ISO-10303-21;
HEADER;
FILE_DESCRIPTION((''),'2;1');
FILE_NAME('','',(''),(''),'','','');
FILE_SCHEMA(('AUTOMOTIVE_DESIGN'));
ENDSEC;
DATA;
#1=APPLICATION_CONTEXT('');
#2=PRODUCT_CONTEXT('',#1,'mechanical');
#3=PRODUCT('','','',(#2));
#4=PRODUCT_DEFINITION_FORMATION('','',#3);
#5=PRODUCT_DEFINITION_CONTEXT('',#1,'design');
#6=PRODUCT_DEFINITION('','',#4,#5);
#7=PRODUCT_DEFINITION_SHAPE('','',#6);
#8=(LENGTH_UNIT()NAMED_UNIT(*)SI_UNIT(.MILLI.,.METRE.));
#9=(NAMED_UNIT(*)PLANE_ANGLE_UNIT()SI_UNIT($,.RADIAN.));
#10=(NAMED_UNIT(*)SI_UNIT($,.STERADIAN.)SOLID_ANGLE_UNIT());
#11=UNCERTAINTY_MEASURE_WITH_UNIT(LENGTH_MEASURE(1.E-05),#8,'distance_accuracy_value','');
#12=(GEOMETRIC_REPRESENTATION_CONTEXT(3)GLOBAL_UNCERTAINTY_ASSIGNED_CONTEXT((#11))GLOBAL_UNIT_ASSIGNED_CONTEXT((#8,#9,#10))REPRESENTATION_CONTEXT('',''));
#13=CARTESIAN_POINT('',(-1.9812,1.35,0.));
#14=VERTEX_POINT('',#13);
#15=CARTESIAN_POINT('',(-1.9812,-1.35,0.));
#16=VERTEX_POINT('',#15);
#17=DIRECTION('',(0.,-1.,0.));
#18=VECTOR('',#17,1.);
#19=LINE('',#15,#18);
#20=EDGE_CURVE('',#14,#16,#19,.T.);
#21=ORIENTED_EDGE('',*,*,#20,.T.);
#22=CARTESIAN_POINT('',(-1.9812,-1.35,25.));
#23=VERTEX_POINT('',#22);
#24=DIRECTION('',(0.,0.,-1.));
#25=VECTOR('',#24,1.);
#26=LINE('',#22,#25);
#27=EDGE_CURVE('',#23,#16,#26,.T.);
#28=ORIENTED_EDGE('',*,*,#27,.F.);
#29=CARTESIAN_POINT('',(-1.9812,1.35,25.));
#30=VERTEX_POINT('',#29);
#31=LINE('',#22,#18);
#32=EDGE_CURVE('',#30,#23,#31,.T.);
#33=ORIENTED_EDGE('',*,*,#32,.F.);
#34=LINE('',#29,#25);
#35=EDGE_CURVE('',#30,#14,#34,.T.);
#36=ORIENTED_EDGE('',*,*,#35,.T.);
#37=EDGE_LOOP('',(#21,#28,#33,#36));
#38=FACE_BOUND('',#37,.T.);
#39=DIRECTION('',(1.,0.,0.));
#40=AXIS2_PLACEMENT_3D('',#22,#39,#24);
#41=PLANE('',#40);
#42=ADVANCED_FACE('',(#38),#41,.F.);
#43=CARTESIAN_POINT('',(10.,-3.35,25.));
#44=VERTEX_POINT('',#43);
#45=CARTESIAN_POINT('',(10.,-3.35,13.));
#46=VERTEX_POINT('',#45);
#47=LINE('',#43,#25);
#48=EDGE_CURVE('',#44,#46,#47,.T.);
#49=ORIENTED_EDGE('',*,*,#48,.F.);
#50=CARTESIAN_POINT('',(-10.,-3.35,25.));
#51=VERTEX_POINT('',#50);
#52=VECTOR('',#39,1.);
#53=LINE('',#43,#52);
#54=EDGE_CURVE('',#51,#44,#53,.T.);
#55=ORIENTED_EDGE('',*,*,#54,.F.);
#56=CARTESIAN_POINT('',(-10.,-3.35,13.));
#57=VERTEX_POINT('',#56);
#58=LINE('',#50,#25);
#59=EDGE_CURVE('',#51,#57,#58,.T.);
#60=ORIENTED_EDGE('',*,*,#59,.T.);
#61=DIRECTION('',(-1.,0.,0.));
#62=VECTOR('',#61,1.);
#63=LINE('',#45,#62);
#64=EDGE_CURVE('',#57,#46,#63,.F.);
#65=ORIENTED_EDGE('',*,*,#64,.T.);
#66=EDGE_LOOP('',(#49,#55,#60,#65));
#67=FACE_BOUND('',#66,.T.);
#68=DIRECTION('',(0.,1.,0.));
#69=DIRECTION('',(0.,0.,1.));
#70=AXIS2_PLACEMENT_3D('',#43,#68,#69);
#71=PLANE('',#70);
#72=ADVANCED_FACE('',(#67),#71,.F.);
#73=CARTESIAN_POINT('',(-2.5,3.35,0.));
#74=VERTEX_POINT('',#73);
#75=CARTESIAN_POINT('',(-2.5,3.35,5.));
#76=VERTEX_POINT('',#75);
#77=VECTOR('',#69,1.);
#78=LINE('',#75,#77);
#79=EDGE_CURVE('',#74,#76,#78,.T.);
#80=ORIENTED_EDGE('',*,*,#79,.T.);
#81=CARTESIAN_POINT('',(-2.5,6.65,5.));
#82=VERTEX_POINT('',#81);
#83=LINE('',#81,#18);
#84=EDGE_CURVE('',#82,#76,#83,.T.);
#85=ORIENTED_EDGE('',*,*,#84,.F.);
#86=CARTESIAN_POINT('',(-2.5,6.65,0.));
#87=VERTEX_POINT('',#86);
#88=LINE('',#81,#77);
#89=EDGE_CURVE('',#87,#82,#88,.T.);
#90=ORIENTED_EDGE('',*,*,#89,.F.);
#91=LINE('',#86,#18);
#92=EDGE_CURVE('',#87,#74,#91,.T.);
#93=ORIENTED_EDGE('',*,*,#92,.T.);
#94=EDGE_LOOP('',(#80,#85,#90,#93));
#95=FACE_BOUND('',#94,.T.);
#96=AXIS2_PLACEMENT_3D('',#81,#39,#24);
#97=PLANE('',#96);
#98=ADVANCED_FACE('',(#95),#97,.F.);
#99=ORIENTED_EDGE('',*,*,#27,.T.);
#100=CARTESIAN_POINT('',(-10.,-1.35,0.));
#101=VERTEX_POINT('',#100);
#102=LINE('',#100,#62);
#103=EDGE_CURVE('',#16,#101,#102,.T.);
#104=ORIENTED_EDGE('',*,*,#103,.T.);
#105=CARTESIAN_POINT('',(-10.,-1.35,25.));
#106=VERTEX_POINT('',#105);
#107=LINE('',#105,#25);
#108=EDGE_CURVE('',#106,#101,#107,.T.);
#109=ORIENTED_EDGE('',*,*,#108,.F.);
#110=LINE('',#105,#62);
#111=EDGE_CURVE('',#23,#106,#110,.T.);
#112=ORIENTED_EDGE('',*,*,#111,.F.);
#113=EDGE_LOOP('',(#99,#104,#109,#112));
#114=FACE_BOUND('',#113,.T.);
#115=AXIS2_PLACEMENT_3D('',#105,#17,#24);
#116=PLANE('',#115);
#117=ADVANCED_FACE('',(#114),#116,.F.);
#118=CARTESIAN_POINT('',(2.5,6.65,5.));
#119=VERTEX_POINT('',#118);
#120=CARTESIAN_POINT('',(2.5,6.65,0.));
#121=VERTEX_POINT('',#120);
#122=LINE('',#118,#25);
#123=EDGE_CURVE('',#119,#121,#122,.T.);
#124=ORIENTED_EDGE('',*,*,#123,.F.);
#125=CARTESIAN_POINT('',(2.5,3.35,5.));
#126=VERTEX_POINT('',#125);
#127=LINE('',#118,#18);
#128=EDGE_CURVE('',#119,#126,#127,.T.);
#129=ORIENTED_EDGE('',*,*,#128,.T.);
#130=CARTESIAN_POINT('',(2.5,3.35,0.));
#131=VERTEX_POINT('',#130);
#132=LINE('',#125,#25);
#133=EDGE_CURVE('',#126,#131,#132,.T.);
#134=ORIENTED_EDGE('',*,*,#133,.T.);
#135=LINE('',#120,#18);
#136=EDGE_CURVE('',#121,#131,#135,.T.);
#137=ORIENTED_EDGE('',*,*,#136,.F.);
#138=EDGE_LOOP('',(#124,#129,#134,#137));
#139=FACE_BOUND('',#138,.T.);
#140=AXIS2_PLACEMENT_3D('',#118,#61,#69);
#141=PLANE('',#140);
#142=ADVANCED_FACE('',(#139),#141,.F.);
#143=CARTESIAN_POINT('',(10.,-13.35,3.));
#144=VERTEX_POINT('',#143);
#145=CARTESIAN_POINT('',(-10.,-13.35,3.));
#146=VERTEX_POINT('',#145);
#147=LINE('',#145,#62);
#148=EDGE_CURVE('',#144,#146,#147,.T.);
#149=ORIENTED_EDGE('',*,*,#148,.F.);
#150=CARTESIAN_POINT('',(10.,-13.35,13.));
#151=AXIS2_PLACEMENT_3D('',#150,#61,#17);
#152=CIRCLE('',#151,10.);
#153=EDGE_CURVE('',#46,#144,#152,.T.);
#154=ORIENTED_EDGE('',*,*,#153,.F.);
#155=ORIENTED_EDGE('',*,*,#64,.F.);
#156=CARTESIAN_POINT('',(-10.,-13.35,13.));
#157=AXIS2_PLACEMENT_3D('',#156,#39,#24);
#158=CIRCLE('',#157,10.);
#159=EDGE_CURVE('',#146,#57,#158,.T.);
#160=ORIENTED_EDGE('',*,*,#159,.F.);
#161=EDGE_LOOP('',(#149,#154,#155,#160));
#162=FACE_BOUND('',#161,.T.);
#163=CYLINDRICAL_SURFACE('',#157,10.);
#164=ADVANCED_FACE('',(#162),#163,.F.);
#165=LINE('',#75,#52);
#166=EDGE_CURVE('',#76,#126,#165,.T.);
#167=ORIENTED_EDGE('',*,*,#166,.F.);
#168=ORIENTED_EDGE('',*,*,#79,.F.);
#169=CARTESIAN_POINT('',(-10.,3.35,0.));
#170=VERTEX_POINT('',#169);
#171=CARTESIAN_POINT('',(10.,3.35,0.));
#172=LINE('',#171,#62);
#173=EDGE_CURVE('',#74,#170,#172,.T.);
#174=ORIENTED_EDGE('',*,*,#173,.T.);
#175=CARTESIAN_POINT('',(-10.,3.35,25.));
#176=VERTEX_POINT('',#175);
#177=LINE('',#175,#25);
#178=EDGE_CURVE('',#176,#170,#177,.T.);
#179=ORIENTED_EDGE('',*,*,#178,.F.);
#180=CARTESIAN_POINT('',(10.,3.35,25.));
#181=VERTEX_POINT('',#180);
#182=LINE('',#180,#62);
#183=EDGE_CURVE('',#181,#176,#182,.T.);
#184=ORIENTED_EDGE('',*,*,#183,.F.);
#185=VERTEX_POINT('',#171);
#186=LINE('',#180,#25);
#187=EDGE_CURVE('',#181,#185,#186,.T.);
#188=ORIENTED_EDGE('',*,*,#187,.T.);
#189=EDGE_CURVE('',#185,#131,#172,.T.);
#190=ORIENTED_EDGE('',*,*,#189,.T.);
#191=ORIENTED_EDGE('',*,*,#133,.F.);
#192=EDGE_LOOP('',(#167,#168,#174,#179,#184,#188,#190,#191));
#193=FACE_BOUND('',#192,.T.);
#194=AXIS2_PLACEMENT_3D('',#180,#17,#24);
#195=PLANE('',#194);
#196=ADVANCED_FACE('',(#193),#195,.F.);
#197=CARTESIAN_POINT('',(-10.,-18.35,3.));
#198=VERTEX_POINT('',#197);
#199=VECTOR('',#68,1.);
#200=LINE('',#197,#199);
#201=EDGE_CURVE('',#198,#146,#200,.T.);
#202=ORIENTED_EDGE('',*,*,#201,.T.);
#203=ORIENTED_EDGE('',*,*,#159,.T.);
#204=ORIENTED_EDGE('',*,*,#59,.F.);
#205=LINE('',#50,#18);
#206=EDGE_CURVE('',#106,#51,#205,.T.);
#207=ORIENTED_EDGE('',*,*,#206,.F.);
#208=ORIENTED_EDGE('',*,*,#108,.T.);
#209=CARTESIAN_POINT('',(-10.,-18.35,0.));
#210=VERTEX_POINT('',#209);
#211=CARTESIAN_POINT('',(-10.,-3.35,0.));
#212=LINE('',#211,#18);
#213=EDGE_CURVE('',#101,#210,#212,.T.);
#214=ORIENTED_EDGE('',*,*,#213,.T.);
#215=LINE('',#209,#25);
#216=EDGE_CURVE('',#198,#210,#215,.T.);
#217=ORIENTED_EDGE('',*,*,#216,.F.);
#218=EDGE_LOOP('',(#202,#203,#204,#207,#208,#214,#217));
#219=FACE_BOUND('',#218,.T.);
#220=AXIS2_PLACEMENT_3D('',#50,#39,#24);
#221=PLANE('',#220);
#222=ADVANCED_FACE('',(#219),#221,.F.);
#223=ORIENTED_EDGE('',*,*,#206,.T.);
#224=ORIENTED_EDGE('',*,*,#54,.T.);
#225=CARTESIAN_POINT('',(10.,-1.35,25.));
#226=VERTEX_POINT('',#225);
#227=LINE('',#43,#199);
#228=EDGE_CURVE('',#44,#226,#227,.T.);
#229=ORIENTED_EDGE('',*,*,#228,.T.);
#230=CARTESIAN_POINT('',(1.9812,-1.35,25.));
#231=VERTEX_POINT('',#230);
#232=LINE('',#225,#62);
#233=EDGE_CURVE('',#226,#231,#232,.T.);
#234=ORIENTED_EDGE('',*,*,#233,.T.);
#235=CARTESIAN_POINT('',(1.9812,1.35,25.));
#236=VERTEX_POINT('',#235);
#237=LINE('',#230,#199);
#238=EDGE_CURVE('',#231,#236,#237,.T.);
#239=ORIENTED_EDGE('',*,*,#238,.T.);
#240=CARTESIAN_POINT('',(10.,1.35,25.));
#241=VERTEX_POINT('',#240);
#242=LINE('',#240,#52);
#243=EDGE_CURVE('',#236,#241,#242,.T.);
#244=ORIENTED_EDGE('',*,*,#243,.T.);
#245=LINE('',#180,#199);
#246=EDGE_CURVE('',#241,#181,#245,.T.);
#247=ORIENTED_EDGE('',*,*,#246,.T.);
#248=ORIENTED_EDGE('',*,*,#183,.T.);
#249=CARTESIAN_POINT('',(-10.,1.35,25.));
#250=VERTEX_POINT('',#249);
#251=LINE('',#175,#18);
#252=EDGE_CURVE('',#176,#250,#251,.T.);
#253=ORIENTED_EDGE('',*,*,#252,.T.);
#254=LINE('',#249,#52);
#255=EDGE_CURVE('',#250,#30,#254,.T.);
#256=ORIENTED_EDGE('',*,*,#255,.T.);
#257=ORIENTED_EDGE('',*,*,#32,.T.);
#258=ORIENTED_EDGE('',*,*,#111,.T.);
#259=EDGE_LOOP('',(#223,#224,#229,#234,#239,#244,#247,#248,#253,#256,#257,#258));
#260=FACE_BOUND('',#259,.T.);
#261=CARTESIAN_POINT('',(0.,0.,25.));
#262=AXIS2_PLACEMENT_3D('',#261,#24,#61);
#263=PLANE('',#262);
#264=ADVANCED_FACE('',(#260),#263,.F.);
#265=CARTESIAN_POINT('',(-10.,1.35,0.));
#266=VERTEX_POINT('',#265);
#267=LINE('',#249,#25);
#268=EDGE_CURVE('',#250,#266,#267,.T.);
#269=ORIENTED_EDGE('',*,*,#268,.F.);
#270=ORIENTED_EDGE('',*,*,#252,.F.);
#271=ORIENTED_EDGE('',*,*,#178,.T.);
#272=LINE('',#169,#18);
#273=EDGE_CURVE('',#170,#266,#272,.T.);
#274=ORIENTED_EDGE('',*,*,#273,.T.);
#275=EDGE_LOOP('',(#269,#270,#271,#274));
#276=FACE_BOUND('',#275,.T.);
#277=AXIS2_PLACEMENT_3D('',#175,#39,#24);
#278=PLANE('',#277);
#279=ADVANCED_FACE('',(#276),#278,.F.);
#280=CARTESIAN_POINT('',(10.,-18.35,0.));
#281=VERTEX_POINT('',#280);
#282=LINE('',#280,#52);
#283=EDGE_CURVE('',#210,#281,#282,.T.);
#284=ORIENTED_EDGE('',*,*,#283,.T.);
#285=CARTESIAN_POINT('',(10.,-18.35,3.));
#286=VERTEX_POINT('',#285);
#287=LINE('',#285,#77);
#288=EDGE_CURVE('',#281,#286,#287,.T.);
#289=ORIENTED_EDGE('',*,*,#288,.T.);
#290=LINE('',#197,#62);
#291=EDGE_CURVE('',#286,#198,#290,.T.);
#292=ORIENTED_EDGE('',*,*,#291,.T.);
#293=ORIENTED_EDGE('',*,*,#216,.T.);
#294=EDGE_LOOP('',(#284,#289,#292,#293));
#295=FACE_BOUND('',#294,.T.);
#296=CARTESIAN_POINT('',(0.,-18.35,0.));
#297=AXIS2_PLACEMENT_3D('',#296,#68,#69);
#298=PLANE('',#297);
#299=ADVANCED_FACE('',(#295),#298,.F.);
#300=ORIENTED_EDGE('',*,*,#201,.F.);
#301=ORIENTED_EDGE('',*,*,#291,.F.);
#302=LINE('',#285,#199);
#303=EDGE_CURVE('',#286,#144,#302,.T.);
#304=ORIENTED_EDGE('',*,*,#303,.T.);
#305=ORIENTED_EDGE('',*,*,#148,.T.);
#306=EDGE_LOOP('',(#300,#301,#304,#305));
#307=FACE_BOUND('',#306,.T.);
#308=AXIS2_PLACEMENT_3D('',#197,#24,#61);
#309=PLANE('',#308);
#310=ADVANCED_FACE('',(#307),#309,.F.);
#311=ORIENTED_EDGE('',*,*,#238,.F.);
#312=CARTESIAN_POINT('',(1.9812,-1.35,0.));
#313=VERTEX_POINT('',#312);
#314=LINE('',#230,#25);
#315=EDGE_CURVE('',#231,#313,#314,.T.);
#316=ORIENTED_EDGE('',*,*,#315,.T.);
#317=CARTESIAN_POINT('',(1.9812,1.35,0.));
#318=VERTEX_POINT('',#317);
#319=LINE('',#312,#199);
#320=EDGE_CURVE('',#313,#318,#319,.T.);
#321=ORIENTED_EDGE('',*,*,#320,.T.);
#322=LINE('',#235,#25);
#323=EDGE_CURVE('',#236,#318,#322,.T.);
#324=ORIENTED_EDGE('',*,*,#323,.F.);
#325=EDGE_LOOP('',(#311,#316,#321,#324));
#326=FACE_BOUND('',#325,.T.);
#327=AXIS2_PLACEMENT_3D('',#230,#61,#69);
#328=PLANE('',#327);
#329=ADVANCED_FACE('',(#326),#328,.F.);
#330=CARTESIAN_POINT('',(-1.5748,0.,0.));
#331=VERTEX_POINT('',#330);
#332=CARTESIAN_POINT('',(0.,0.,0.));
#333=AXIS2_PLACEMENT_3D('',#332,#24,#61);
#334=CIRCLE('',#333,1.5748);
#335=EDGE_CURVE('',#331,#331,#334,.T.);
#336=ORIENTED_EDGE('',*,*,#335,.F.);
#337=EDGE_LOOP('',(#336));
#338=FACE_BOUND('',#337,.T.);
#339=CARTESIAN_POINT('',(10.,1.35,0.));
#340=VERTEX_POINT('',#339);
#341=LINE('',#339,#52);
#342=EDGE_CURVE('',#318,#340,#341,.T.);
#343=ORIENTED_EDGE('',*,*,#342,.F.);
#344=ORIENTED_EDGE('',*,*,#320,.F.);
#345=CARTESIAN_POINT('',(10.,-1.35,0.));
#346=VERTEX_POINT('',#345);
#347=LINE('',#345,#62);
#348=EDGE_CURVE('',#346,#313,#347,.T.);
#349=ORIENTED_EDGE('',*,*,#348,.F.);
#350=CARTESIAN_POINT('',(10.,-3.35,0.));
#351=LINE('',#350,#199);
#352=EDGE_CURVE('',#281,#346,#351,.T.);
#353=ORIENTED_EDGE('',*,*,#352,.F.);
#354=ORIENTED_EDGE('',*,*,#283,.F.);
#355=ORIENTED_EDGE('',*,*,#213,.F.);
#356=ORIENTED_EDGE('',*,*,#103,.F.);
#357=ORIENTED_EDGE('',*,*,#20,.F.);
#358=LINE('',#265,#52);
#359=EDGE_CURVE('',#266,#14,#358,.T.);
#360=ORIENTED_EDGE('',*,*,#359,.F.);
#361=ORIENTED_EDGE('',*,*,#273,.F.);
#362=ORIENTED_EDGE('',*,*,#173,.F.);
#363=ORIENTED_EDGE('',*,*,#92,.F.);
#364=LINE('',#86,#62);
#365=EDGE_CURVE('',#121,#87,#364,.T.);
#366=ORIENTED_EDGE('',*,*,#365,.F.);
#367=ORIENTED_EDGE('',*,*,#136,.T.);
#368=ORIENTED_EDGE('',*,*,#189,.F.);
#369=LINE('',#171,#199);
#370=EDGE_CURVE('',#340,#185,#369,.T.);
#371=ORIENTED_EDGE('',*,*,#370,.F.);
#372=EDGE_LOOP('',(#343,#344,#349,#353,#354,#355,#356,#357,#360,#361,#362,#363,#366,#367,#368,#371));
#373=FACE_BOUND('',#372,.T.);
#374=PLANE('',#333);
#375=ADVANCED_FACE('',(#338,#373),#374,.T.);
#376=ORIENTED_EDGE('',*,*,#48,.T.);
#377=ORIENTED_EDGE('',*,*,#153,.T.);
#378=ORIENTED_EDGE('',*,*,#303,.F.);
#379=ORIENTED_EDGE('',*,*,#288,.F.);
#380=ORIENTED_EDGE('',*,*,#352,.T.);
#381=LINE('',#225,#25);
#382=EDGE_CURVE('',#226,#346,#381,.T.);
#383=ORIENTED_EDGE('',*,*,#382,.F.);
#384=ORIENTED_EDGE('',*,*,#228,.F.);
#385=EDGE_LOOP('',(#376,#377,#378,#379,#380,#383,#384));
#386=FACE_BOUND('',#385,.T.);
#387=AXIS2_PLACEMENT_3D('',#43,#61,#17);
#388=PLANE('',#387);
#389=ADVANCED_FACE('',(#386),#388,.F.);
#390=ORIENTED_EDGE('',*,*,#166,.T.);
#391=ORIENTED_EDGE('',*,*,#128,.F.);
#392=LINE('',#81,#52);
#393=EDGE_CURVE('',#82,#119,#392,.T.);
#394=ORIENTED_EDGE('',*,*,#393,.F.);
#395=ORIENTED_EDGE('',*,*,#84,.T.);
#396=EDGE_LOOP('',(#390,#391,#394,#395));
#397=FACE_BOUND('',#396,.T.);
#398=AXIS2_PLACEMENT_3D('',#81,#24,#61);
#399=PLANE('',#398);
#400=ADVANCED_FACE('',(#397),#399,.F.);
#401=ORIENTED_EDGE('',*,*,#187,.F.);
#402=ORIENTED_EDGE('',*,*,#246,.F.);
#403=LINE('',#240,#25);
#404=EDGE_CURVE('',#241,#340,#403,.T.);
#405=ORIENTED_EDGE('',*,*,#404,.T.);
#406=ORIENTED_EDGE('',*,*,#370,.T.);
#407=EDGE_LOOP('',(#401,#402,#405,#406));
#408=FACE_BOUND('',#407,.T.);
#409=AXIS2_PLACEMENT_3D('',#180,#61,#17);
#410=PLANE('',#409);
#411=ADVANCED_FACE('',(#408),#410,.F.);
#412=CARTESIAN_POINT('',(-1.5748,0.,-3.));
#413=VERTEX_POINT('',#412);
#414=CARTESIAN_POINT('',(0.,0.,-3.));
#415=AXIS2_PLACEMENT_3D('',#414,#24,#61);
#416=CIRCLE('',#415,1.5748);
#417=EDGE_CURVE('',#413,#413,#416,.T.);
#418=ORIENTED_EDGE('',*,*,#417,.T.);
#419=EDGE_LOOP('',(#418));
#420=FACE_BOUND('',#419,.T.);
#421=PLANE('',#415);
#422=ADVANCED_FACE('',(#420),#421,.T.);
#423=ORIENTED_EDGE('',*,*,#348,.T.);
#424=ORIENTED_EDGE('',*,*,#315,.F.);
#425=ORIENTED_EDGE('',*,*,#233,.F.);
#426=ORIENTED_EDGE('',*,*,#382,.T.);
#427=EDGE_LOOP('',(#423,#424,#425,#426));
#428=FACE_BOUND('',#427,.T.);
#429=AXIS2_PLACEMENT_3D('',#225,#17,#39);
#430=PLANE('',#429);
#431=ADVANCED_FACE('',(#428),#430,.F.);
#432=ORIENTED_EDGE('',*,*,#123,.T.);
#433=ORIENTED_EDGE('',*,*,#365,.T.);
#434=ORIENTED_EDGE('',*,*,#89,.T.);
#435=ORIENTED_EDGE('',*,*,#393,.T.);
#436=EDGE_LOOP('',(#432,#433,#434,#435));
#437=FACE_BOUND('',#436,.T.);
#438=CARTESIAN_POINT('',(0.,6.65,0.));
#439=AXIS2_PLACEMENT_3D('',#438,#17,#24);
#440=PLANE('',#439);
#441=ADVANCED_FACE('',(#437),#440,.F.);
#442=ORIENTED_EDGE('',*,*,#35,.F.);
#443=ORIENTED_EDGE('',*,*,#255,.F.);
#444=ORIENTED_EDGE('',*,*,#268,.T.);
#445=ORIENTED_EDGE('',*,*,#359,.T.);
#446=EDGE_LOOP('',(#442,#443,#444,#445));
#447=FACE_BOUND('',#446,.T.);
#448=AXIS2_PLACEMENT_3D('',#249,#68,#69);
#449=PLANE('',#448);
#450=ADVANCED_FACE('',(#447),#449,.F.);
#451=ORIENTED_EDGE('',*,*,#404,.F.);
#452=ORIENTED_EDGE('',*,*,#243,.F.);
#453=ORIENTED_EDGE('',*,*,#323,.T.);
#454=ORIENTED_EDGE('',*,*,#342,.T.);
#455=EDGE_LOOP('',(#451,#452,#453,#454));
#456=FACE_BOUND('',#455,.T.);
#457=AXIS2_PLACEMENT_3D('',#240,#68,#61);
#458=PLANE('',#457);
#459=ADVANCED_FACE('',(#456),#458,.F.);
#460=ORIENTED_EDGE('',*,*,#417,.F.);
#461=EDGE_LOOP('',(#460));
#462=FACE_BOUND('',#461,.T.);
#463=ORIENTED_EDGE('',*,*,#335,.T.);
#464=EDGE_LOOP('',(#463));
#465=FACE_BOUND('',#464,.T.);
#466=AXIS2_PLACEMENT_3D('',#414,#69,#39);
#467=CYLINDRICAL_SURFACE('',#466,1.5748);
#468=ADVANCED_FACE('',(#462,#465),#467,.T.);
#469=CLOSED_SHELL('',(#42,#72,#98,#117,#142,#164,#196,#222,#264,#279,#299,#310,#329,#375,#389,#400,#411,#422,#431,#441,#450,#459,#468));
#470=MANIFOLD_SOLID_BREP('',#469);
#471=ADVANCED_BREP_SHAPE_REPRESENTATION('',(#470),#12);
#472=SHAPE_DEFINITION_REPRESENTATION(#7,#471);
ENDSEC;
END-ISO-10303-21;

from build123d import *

# Parameters (mm, degrees)
BOSS_EXTRUDE1_DEPTH = 25
SKETCH2_W           = 20
SKETCH2_H           = 3
BOSS_EXTRUDE2_DEPTH = 15
FILLET1_R           = 10
SKETCH3_R           = 1.5748
BOSS_EXTRUDE3_DEPTH = 3
SKETCH4_W           = 5
SKETCH4_H           = 5
BOSS_EXTRUDE4_DEPTH = 3.3


with BuildPart() as part:
    # Sketch1 → Boss-Extrude1 (new body)
    with BuildSketch(Plane.XY):
        Polygon((10, -3.35), (-10, -3.35), (-10, -1.35), (-1.9812, -1.35), (-1.9812, 1.35), (-10, 1.35), (-10, 3.35), (10, 3.35), (10, 1.35), (1.9812, 1.35), (1.9812, -1.35), (10, -1.35), align=None)
    extrude(amount=BOSS_EXTRUDE1_DEPTH)

    # Sketch2 → Boss-Extrude2 (add)
    with BuildSketch(Plane.XZ.offset(3.35)):
        with Locations((0, 1.5)):
            Rectangle(SKETCH2_W, SKETCH2_H)
    extrude(amount=BOSS_EXTRUDE2_DEPTH)

    # Fillet1
    fillet1_edges = [part.edges().sort_by_distance(p)[0] for p in [
        (0, -3.35, 3),
    ]]
    fillet(fillet1_edges, radius=FILLET1_R)

    # Sketch3 → Boss-Extrude3 (add)
    with BuildSketch(Plane(origin=(0, 0, 0), x_dir=(-1, 0, 0), z_dir=(0, 0, -1))):
        Circle(SKETCH3_R)
    extrude(amount=BOSS_EXTRUDE3_DEPTH)

    # Sketch4 → Boss-Extrude4 (add)
    with BuildSketch(Plane(origin=(0, 3.35, 0), x_dir=(1, 0, 0), z_dir=(0, 1, 0))):
        with Locations((0, -2.5)):
            Rectangle(SKETCH4_W, SKETCH4_H)
    extrude(amount=BOSS_EXTRUDE4_DEPTH)


solid = part.part
